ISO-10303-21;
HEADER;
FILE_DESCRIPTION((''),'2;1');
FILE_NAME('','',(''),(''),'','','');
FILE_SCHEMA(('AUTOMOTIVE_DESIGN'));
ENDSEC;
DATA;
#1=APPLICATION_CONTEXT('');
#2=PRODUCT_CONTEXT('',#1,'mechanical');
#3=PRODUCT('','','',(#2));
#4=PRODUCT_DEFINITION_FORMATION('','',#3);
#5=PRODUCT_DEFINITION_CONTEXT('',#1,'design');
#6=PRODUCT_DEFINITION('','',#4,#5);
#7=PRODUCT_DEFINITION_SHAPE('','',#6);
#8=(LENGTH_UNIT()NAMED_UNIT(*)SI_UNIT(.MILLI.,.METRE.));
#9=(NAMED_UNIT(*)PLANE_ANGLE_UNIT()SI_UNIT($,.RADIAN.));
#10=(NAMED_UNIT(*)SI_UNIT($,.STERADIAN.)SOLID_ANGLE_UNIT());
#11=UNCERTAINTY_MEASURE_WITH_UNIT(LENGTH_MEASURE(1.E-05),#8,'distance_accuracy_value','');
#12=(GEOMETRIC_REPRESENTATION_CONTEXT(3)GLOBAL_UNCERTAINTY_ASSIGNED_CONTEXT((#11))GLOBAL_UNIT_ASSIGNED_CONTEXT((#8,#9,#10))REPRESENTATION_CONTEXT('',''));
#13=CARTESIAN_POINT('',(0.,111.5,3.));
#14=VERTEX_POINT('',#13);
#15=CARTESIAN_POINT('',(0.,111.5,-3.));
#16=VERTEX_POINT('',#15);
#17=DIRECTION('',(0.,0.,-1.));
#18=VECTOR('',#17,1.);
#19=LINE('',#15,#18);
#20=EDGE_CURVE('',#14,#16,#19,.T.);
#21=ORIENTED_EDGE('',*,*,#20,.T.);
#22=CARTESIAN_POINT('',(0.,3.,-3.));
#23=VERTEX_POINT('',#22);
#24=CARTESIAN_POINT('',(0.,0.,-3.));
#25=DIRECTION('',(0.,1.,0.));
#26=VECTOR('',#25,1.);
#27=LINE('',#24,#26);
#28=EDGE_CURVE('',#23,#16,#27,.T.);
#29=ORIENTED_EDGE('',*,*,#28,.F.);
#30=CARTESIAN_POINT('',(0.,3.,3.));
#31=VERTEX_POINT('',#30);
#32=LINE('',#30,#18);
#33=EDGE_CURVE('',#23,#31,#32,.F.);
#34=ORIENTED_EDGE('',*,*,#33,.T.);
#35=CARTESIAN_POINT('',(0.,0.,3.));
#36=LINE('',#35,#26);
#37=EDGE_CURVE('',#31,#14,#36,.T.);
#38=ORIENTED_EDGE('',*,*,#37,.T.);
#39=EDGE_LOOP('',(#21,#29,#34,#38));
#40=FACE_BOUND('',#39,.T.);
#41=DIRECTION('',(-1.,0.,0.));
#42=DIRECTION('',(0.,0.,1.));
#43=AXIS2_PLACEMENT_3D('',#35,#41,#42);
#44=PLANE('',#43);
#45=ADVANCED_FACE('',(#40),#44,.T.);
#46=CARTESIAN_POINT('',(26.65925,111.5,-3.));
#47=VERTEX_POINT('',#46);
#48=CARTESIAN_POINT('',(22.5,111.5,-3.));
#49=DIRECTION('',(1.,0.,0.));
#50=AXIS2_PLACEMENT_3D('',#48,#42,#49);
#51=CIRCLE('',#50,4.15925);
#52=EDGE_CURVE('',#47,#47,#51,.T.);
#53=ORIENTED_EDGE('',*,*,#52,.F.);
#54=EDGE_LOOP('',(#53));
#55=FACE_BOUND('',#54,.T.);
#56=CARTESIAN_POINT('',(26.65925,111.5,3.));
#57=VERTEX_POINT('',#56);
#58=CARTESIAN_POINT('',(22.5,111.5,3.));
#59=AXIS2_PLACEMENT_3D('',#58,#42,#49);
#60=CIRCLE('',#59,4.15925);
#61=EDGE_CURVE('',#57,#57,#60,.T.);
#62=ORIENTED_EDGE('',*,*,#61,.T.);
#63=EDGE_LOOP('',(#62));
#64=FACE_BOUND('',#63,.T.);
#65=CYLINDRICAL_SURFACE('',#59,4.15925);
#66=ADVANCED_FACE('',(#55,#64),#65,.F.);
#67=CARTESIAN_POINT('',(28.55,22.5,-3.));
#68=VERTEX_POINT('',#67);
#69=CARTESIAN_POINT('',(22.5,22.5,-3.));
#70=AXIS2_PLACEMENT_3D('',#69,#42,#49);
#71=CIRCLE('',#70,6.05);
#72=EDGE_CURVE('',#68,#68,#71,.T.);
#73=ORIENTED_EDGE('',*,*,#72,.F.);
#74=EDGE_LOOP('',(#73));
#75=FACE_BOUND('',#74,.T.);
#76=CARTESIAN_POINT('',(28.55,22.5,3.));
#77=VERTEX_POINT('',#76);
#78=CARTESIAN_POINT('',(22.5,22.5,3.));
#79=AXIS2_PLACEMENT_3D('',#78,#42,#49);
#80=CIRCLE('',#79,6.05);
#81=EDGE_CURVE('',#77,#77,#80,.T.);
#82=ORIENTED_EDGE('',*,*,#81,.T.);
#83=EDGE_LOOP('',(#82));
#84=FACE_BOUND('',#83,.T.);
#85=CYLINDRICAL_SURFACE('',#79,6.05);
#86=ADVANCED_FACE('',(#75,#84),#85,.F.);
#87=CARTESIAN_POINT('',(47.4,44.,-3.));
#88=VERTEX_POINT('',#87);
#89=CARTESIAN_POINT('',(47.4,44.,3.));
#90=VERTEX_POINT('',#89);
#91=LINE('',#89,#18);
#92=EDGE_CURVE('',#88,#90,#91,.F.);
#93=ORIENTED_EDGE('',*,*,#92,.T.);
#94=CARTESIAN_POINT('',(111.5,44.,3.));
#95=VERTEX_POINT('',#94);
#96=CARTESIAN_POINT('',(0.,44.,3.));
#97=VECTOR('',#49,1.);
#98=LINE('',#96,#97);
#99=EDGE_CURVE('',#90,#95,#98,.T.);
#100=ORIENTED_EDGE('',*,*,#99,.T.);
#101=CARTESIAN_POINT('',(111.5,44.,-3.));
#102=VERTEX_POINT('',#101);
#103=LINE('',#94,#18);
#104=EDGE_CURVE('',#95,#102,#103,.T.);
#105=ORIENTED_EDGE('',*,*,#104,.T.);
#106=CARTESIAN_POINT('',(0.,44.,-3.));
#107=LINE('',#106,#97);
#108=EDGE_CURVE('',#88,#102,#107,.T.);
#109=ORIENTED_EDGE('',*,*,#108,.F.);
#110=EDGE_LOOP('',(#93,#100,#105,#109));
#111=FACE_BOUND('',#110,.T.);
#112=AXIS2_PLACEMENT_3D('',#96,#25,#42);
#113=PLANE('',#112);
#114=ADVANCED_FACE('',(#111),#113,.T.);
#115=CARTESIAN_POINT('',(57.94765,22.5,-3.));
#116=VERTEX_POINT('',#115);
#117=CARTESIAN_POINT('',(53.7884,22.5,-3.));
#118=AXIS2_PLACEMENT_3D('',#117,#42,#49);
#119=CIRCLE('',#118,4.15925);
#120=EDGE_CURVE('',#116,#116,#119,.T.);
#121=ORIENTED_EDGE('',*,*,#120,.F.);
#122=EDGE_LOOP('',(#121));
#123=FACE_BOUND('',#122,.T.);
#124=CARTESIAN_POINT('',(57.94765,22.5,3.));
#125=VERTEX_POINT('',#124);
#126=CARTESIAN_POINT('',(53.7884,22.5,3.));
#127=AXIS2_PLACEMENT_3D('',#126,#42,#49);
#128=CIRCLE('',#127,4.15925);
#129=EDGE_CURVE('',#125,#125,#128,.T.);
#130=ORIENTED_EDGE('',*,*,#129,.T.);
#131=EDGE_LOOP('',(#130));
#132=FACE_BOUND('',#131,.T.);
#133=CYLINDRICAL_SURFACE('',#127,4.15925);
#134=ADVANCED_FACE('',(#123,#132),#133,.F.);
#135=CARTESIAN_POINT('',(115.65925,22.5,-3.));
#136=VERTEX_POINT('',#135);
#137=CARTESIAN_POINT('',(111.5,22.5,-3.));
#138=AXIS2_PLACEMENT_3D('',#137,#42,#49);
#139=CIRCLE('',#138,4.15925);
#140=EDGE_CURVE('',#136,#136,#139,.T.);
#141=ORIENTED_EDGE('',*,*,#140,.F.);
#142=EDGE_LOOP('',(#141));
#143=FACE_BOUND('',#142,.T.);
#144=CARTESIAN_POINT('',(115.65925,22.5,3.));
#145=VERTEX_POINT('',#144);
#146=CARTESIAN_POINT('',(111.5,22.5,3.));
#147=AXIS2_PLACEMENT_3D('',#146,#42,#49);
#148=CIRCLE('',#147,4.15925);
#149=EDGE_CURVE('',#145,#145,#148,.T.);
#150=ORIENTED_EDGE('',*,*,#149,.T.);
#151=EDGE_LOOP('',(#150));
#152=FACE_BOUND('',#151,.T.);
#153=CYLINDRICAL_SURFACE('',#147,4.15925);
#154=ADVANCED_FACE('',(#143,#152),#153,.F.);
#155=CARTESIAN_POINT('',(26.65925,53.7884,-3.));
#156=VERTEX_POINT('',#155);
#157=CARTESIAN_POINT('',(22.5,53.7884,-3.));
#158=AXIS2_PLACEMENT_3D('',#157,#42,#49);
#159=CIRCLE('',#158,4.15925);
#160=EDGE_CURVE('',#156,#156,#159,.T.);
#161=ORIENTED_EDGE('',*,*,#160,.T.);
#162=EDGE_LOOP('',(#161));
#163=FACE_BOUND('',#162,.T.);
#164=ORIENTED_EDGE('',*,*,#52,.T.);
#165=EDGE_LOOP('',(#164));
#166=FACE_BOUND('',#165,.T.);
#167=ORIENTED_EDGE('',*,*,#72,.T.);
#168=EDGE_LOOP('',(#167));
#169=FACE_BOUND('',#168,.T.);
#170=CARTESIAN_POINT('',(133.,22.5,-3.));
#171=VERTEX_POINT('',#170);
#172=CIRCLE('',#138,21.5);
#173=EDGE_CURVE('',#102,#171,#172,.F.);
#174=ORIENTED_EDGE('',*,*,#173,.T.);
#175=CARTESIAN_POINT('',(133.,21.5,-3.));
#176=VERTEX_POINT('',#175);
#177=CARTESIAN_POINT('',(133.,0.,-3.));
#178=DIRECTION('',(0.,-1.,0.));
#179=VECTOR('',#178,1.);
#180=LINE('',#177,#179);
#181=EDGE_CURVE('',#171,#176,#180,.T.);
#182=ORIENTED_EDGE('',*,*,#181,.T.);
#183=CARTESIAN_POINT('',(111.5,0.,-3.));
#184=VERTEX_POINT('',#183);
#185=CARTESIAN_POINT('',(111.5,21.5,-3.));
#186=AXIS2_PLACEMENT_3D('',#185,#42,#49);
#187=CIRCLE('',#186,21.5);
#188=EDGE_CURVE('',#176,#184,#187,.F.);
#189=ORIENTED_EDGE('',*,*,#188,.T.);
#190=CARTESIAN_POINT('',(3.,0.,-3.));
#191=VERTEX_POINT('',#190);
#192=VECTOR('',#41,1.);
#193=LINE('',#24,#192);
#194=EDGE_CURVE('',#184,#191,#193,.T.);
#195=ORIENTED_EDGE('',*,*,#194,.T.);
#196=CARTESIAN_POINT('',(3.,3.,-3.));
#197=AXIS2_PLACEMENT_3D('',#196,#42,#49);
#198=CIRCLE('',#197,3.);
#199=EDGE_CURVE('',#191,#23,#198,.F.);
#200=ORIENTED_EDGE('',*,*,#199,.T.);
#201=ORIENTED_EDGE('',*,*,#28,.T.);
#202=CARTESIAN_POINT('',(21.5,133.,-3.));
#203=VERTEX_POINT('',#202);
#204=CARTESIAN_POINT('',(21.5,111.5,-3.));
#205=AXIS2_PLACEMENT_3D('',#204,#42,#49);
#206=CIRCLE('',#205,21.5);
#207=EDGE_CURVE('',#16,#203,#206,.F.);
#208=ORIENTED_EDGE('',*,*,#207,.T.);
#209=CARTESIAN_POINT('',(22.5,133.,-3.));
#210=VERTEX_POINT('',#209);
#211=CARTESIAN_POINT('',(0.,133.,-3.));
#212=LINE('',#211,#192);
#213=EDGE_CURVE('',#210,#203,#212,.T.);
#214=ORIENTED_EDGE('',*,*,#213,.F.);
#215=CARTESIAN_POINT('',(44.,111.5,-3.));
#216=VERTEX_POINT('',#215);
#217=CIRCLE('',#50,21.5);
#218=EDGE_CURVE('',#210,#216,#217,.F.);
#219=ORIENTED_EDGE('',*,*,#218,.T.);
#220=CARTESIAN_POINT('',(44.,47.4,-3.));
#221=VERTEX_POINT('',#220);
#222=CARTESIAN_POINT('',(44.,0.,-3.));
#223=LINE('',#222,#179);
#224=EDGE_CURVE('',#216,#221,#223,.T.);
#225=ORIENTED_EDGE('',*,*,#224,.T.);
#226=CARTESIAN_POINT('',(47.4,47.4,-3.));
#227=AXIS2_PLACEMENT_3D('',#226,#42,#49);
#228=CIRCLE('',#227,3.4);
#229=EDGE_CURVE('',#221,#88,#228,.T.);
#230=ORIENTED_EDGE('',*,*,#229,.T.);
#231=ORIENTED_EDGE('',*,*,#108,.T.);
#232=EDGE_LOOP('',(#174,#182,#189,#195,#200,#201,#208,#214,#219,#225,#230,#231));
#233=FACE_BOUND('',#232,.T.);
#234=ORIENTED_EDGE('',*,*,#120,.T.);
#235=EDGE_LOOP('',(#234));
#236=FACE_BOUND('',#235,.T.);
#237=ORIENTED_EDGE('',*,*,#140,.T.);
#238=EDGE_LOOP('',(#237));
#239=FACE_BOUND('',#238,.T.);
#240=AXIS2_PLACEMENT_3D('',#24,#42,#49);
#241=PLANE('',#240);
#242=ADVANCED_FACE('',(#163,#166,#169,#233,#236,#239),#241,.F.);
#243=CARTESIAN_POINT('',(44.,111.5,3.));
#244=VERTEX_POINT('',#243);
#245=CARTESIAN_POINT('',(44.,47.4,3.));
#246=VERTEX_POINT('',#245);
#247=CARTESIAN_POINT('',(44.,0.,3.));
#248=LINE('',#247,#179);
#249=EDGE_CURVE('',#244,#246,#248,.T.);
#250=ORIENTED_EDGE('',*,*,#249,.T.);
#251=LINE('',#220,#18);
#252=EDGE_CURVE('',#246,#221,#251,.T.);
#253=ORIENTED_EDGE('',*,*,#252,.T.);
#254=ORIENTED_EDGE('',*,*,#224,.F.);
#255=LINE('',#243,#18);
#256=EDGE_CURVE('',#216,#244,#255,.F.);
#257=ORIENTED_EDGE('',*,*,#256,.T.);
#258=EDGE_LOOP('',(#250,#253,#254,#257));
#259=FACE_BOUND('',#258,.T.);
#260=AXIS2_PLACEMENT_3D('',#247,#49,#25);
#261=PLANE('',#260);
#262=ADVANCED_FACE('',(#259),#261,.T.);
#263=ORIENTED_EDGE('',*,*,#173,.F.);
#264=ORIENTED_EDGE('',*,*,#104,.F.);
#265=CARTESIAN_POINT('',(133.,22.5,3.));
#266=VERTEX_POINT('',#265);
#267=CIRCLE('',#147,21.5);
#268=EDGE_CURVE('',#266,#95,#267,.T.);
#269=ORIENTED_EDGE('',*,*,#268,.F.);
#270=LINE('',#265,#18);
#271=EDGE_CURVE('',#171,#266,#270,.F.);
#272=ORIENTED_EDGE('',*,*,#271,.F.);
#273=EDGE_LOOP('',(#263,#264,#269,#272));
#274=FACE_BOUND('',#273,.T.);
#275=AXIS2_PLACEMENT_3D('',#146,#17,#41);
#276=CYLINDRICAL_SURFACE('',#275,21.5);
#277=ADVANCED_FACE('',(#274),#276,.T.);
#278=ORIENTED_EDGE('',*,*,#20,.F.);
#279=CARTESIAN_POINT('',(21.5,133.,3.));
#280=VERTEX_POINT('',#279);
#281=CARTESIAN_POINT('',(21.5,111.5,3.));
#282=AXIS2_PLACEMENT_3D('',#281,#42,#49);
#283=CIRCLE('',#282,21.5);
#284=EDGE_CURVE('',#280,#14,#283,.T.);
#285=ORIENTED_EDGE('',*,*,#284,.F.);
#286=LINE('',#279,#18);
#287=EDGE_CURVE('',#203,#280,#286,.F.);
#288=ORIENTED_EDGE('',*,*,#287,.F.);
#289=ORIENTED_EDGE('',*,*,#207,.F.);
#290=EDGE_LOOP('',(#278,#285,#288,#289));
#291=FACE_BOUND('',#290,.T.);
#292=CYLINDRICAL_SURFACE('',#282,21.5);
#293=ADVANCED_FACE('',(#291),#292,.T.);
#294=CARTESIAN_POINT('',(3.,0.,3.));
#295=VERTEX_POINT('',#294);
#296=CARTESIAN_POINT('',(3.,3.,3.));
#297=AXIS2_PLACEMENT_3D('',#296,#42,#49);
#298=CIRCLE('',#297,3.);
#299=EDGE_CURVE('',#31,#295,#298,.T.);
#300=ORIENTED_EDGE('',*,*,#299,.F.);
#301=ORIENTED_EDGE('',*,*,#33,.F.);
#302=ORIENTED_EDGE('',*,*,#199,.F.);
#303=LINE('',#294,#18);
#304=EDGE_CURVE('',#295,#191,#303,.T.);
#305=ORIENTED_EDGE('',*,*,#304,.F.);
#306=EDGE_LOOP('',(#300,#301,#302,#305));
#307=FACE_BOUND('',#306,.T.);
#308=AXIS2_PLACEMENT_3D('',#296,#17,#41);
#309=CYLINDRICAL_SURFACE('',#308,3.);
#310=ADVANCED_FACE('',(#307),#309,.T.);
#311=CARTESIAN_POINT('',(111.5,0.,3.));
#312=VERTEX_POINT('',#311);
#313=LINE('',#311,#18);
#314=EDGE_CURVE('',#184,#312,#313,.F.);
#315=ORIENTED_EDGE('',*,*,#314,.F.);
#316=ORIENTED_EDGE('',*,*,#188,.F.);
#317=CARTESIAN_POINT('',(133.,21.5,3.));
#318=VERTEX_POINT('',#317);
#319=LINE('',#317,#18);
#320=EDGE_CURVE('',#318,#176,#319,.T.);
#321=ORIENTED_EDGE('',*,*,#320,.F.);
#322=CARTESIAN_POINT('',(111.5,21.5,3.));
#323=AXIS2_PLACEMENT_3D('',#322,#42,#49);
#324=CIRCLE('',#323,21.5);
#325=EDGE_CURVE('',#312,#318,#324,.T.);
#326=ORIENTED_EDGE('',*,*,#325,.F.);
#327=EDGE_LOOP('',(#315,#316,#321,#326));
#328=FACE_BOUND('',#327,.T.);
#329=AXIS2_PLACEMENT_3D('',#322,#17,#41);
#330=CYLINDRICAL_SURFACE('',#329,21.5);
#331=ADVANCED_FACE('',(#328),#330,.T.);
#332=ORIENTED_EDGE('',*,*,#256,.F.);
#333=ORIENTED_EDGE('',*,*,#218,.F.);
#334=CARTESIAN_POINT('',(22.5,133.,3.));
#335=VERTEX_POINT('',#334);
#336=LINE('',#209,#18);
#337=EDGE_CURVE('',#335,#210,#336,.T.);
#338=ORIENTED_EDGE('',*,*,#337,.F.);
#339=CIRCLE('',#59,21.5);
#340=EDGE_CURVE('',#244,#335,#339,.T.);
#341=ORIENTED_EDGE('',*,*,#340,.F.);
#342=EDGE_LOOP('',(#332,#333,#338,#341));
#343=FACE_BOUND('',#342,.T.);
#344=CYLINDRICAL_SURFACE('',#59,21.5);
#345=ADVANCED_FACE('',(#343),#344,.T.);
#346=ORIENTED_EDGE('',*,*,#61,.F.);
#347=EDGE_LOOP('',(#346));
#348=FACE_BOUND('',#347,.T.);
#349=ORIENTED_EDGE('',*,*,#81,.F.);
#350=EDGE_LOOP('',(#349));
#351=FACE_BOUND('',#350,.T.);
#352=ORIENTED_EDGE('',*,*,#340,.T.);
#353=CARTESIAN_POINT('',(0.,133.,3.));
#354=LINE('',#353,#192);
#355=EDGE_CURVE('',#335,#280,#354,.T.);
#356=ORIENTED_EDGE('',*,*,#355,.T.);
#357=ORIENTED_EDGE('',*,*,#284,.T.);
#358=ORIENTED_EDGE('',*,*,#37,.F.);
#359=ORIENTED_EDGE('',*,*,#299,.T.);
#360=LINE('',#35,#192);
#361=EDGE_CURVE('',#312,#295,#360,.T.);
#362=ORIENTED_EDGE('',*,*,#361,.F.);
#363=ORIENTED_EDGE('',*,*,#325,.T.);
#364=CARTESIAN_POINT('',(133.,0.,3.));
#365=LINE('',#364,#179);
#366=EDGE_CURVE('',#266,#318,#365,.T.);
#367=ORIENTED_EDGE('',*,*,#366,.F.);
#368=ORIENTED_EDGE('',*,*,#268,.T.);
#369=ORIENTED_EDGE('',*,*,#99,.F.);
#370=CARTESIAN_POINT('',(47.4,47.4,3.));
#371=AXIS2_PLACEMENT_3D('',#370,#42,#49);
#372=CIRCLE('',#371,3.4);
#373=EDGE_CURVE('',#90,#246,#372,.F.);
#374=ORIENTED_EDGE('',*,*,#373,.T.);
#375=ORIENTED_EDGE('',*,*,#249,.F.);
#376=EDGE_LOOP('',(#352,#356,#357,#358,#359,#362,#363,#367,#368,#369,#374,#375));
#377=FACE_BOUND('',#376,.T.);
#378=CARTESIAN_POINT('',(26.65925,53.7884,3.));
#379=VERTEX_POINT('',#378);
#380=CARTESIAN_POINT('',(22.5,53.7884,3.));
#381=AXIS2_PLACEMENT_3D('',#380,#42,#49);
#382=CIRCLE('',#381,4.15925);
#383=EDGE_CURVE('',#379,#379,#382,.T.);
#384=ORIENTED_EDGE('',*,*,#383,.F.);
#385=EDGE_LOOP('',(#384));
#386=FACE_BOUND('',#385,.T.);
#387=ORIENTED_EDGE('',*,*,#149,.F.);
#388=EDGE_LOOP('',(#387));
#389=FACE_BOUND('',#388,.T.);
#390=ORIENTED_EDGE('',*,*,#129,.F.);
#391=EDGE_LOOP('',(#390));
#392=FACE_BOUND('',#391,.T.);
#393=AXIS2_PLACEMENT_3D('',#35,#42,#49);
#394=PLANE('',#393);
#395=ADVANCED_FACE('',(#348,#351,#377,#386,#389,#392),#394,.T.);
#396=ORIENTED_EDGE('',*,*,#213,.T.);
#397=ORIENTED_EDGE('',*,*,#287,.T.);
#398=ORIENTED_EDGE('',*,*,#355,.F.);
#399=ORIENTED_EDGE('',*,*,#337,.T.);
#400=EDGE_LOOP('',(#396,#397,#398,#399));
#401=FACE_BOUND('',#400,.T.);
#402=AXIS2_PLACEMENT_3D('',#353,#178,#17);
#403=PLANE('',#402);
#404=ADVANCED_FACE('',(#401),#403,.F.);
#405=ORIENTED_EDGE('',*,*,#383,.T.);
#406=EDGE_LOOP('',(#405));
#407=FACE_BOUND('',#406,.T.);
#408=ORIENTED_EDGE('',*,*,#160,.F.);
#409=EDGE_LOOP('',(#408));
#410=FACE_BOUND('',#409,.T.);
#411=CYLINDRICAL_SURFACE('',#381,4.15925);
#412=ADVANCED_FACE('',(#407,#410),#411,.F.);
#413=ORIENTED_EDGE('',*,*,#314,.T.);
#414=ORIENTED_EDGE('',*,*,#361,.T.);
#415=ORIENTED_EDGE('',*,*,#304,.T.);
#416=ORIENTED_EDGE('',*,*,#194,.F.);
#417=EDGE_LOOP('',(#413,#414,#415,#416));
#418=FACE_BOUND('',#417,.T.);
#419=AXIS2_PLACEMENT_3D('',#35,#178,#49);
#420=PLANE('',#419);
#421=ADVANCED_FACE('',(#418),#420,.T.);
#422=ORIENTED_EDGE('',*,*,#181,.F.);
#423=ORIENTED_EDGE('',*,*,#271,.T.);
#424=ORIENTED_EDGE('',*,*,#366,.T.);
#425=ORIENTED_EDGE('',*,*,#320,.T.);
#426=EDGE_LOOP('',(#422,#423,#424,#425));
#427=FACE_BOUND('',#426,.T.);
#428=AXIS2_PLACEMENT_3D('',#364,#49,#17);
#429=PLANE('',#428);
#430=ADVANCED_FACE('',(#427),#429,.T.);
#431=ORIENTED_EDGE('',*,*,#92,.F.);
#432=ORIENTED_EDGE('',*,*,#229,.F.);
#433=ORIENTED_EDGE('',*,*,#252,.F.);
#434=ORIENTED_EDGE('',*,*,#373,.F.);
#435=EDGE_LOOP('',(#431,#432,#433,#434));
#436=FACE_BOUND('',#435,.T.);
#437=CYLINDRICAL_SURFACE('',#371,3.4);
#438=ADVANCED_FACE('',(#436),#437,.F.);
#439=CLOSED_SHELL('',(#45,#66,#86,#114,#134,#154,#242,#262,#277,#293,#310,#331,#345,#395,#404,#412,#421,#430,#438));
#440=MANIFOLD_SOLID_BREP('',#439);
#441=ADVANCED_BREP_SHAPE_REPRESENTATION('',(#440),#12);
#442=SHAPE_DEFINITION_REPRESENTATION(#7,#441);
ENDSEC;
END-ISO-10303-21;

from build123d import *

# Parameters (mm, degrees)
BOSS_EXTRUDE1_DEPTH      = 3
FILLET4_R                = 21.5
FILLET5_R                = 3.4
FILLET6_R                = 3
F_5_16_CLEARANCE_HOLE1_D = 8.3185
M12_CLEARANCE_HOLE1_D    = 12.1


with BuildPart() as part:
    # Sketch1 → Boss-Extrude1 (new, symmetric)
    with BuildSketch(Plane.XY):
        Polygon((0, 133), (0, 0), (133, 0), (133, 44), (44, 44), (44, 133), align=None)
    extrude(amount=BOSS_EXTRUDE1_DEPTH, both=True)

    # Fillet4
    fillet4_edges = [part.edges().sort_by_distance(p)[0] for p in [
        (133, 44, 0),
        (133, 0, 0),
        (0, 133, 0),
        (44, 133, 0),
    ]]
    fillet(fillet4_edges, radius=FILLET4_R)

    # Fillet5
    fillet5_edges = [part.edges().sort_by_distance(p)[0] for p in [
        (44, 44, 0),
    ]]
    fillet(fillet5_edges, radius=FILLET5_R)

    # Fillet6
    fillet6_edges = [part.edges().sort_by_distance(p)[0] for p in [
        (0, 0, 0),
    ]]
    fillet(fillet6_edges, radius=FILLET6_R)

    # 5/16 Clearance Hole1 (through all)
    with Locations(Plane.XY.offset(3)):
        with Locations((22.5, 111.5), (22.5, 53.7884), (53.7884, 22.5), (111.5, 22.5)):
            Hole(F_5_16_CLEARANCE_HOLE1_D / 2)

    # M12 Clearance Hole1 (through all)
    with Locations(Plane.XY.offset(3)):
        with Locations((22.5, 22.5)):
            Hole(M12_CLEARANCE_HOLE1_D / 2)


solid = part.part
